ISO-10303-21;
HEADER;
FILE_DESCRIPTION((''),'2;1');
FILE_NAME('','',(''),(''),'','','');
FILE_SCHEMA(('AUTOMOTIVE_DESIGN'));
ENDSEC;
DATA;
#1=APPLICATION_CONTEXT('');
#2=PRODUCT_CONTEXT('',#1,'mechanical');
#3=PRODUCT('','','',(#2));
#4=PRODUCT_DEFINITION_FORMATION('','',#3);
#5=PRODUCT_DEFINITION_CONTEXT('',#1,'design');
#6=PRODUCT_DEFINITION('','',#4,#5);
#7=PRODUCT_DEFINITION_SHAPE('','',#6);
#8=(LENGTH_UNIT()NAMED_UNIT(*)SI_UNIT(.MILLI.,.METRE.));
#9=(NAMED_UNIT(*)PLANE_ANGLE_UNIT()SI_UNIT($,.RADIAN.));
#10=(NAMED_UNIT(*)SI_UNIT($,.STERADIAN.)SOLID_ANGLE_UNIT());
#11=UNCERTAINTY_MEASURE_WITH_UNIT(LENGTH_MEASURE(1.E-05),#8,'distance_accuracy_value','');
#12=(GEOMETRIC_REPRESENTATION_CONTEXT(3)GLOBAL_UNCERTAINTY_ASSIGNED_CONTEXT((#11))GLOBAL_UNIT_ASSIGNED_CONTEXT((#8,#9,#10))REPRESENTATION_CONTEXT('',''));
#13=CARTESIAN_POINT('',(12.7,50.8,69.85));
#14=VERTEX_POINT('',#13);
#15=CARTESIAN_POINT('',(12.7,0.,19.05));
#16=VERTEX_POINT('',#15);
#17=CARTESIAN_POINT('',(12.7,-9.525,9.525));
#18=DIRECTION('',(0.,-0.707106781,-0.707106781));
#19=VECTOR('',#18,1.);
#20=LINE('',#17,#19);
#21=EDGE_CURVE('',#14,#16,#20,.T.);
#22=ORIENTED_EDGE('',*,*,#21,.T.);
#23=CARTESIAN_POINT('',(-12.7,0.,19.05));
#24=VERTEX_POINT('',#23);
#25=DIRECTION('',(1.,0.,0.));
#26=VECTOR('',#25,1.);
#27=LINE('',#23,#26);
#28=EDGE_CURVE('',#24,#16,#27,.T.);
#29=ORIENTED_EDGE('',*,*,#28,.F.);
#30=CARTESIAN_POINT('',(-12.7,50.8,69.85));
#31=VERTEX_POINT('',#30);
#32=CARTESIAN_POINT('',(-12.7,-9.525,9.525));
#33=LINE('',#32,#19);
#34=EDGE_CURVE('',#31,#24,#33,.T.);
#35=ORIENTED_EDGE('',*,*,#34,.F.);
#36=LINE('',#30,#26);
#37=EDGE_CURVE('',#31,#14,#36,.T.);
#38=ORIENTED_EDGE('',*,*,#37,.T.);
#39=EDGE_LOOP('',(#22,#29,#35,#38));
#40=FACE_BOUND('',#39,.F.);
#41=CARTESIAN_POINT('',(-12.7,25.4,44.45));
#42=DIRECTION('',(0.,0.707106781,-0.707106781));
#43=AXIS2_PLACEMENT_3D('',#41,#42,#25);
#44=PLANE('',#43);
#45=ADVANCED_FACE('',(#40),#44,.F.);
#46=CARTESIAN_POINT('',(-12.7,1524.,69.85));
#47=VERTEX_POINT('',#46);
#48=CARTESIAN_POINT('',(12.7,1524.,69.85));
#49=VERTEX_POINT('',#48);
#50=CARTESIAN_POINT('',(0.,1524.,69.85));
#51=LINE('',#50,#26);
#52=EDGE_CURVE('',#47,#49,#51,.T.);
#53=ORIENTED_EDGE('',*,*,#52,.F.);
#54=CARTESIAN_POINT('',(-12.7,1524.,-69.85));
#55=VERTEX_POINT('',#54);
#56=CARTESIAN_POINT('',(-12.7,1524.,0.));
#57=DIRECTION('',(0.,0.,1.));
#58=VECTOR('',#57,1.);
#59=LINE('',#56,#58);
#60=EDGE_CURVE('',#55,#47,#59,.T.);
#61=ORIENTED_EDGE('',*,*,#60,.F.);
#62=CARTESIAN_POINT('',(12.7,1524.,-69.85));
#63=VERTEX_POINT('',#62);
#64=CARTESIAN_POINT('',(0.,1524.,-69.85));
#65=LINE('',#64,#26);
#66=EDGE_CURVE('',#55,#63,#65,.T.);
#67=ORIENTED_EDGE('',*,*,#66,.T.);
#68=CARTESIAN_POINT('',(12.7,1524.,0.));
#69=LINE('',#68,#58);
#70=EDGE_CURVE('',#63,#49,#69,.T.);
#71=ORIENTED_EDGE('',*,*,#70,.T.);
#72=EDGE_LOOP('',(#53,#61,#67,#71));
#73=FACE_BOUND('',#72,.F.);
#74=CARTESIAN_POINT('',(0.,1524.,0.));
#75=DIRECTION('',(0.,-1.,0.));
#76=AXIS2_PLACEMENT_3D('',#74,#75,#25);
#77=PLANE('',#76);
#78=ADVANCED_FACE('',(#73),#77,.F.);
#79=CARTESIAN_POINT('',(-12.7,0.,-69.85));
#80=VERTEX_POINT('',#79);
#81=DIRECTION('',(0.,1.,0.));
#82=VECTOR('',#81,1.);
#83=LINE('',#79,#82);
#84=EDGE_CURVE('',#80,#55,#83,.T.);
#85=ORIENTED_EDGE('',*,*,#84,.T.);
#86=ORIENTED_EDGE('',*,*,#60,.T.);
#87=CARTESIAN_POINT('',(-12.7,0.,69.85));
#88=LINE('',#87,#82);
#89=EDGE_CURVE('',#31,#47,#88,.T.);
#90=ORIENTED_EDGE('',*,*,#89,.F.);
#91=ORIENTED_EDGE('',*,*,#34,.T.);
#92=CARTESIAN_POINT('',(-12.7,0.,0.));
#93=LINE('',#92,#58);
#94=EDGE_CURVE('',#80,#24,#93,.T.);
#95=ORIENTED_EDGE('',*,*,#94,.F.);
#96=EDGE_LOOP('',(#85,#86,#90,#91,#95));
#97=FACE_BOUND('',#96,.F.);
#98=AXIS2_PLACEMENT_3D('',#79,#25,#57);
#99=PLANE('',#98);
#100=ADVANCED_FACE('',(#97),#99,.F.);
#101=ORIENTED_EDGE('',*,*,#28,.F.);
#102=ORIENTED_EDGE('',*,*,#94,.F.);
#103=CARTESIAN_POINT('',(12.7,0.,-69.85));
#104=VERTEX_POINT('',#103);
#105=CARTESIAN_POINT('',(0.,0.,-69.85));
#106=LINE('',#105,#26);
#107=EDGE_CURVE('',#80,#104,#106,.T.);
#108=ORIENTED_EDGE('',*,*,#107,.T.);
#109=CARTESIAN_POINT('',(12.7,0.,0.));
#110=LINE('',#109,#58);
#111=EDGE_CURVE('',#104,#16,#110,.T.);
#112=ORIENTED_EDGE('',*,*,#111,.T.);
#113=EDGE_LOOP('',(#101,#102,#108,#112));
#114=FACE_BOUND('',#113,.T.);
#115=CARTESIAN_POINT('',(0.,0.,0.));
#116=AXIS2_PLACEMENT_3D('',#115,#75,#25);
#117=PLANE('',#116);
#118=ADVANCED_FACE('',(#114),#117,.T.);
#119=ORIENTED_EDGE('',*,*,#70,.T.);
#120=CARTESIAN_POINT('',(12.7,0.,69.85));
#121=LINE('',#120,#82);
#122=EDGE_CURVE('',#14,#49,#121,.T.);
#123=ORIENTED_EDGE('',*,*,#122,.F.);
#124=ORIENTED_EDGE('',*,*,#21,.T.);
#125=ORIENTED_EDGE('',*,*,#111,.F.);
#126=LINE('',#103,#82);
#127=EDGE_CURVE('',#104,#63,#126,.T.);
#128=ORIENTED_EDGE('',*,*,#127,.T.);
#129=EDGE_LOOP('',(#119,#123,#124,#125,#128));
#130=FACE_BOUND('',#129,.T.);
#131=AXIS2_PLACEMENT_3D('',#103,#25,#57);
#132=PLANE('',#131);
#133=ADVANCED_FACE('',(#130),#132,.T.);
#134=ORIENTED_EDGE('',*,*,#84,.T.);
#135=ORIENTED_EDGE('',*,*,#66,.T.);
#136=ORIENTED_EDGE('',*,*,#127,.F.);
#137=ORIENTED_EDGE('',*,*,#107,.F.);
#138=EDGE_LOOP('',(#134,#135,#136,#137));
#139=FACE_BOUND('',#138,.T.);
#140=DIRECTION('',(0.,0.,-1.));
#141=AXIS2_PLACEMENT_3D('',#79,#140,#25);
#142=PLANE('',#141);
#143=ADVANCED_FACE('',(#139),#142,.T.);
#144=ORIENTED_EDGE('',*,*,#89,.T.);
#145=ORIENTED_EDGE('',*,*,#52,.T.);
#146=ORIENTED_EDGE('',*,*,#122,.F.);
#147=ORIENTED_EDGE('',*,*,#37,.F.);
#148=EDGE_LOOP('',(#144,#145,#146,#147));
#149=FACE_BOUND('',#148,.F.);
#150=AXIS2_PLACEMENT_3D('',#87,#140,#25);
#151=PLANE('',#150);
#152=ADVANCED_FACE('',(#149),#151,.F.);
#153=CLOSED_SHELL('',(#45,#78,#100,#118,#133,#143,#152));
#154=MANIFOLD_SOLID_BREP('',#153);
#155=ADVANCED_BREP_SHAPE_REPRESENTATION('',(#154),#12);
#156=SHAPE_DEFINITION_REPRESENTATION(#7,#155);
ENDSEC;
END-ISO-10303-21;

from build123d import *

# Parameters (mm, degrees)
F0_W     = 25.4
F0_H     = 139.7
F1_DEPTH = 1524
F2_SIZE  = 50.8


with BuildPart() as f1:
    # F0 (on Front) → F1 (new body)
    with BuildSketch(Plane.XZ):
        Rectangle(F0_W, F0_H)
    extrude(amount=-F1_DEPTH)

    # F2
    f2_edges = [f1.edges().sort_by_distance(p)[0] for p in [
        (0, 0, 69.85),
    ]]
    chamfer(f2_edges, length=F2_SIZE)


solid = f1.part
